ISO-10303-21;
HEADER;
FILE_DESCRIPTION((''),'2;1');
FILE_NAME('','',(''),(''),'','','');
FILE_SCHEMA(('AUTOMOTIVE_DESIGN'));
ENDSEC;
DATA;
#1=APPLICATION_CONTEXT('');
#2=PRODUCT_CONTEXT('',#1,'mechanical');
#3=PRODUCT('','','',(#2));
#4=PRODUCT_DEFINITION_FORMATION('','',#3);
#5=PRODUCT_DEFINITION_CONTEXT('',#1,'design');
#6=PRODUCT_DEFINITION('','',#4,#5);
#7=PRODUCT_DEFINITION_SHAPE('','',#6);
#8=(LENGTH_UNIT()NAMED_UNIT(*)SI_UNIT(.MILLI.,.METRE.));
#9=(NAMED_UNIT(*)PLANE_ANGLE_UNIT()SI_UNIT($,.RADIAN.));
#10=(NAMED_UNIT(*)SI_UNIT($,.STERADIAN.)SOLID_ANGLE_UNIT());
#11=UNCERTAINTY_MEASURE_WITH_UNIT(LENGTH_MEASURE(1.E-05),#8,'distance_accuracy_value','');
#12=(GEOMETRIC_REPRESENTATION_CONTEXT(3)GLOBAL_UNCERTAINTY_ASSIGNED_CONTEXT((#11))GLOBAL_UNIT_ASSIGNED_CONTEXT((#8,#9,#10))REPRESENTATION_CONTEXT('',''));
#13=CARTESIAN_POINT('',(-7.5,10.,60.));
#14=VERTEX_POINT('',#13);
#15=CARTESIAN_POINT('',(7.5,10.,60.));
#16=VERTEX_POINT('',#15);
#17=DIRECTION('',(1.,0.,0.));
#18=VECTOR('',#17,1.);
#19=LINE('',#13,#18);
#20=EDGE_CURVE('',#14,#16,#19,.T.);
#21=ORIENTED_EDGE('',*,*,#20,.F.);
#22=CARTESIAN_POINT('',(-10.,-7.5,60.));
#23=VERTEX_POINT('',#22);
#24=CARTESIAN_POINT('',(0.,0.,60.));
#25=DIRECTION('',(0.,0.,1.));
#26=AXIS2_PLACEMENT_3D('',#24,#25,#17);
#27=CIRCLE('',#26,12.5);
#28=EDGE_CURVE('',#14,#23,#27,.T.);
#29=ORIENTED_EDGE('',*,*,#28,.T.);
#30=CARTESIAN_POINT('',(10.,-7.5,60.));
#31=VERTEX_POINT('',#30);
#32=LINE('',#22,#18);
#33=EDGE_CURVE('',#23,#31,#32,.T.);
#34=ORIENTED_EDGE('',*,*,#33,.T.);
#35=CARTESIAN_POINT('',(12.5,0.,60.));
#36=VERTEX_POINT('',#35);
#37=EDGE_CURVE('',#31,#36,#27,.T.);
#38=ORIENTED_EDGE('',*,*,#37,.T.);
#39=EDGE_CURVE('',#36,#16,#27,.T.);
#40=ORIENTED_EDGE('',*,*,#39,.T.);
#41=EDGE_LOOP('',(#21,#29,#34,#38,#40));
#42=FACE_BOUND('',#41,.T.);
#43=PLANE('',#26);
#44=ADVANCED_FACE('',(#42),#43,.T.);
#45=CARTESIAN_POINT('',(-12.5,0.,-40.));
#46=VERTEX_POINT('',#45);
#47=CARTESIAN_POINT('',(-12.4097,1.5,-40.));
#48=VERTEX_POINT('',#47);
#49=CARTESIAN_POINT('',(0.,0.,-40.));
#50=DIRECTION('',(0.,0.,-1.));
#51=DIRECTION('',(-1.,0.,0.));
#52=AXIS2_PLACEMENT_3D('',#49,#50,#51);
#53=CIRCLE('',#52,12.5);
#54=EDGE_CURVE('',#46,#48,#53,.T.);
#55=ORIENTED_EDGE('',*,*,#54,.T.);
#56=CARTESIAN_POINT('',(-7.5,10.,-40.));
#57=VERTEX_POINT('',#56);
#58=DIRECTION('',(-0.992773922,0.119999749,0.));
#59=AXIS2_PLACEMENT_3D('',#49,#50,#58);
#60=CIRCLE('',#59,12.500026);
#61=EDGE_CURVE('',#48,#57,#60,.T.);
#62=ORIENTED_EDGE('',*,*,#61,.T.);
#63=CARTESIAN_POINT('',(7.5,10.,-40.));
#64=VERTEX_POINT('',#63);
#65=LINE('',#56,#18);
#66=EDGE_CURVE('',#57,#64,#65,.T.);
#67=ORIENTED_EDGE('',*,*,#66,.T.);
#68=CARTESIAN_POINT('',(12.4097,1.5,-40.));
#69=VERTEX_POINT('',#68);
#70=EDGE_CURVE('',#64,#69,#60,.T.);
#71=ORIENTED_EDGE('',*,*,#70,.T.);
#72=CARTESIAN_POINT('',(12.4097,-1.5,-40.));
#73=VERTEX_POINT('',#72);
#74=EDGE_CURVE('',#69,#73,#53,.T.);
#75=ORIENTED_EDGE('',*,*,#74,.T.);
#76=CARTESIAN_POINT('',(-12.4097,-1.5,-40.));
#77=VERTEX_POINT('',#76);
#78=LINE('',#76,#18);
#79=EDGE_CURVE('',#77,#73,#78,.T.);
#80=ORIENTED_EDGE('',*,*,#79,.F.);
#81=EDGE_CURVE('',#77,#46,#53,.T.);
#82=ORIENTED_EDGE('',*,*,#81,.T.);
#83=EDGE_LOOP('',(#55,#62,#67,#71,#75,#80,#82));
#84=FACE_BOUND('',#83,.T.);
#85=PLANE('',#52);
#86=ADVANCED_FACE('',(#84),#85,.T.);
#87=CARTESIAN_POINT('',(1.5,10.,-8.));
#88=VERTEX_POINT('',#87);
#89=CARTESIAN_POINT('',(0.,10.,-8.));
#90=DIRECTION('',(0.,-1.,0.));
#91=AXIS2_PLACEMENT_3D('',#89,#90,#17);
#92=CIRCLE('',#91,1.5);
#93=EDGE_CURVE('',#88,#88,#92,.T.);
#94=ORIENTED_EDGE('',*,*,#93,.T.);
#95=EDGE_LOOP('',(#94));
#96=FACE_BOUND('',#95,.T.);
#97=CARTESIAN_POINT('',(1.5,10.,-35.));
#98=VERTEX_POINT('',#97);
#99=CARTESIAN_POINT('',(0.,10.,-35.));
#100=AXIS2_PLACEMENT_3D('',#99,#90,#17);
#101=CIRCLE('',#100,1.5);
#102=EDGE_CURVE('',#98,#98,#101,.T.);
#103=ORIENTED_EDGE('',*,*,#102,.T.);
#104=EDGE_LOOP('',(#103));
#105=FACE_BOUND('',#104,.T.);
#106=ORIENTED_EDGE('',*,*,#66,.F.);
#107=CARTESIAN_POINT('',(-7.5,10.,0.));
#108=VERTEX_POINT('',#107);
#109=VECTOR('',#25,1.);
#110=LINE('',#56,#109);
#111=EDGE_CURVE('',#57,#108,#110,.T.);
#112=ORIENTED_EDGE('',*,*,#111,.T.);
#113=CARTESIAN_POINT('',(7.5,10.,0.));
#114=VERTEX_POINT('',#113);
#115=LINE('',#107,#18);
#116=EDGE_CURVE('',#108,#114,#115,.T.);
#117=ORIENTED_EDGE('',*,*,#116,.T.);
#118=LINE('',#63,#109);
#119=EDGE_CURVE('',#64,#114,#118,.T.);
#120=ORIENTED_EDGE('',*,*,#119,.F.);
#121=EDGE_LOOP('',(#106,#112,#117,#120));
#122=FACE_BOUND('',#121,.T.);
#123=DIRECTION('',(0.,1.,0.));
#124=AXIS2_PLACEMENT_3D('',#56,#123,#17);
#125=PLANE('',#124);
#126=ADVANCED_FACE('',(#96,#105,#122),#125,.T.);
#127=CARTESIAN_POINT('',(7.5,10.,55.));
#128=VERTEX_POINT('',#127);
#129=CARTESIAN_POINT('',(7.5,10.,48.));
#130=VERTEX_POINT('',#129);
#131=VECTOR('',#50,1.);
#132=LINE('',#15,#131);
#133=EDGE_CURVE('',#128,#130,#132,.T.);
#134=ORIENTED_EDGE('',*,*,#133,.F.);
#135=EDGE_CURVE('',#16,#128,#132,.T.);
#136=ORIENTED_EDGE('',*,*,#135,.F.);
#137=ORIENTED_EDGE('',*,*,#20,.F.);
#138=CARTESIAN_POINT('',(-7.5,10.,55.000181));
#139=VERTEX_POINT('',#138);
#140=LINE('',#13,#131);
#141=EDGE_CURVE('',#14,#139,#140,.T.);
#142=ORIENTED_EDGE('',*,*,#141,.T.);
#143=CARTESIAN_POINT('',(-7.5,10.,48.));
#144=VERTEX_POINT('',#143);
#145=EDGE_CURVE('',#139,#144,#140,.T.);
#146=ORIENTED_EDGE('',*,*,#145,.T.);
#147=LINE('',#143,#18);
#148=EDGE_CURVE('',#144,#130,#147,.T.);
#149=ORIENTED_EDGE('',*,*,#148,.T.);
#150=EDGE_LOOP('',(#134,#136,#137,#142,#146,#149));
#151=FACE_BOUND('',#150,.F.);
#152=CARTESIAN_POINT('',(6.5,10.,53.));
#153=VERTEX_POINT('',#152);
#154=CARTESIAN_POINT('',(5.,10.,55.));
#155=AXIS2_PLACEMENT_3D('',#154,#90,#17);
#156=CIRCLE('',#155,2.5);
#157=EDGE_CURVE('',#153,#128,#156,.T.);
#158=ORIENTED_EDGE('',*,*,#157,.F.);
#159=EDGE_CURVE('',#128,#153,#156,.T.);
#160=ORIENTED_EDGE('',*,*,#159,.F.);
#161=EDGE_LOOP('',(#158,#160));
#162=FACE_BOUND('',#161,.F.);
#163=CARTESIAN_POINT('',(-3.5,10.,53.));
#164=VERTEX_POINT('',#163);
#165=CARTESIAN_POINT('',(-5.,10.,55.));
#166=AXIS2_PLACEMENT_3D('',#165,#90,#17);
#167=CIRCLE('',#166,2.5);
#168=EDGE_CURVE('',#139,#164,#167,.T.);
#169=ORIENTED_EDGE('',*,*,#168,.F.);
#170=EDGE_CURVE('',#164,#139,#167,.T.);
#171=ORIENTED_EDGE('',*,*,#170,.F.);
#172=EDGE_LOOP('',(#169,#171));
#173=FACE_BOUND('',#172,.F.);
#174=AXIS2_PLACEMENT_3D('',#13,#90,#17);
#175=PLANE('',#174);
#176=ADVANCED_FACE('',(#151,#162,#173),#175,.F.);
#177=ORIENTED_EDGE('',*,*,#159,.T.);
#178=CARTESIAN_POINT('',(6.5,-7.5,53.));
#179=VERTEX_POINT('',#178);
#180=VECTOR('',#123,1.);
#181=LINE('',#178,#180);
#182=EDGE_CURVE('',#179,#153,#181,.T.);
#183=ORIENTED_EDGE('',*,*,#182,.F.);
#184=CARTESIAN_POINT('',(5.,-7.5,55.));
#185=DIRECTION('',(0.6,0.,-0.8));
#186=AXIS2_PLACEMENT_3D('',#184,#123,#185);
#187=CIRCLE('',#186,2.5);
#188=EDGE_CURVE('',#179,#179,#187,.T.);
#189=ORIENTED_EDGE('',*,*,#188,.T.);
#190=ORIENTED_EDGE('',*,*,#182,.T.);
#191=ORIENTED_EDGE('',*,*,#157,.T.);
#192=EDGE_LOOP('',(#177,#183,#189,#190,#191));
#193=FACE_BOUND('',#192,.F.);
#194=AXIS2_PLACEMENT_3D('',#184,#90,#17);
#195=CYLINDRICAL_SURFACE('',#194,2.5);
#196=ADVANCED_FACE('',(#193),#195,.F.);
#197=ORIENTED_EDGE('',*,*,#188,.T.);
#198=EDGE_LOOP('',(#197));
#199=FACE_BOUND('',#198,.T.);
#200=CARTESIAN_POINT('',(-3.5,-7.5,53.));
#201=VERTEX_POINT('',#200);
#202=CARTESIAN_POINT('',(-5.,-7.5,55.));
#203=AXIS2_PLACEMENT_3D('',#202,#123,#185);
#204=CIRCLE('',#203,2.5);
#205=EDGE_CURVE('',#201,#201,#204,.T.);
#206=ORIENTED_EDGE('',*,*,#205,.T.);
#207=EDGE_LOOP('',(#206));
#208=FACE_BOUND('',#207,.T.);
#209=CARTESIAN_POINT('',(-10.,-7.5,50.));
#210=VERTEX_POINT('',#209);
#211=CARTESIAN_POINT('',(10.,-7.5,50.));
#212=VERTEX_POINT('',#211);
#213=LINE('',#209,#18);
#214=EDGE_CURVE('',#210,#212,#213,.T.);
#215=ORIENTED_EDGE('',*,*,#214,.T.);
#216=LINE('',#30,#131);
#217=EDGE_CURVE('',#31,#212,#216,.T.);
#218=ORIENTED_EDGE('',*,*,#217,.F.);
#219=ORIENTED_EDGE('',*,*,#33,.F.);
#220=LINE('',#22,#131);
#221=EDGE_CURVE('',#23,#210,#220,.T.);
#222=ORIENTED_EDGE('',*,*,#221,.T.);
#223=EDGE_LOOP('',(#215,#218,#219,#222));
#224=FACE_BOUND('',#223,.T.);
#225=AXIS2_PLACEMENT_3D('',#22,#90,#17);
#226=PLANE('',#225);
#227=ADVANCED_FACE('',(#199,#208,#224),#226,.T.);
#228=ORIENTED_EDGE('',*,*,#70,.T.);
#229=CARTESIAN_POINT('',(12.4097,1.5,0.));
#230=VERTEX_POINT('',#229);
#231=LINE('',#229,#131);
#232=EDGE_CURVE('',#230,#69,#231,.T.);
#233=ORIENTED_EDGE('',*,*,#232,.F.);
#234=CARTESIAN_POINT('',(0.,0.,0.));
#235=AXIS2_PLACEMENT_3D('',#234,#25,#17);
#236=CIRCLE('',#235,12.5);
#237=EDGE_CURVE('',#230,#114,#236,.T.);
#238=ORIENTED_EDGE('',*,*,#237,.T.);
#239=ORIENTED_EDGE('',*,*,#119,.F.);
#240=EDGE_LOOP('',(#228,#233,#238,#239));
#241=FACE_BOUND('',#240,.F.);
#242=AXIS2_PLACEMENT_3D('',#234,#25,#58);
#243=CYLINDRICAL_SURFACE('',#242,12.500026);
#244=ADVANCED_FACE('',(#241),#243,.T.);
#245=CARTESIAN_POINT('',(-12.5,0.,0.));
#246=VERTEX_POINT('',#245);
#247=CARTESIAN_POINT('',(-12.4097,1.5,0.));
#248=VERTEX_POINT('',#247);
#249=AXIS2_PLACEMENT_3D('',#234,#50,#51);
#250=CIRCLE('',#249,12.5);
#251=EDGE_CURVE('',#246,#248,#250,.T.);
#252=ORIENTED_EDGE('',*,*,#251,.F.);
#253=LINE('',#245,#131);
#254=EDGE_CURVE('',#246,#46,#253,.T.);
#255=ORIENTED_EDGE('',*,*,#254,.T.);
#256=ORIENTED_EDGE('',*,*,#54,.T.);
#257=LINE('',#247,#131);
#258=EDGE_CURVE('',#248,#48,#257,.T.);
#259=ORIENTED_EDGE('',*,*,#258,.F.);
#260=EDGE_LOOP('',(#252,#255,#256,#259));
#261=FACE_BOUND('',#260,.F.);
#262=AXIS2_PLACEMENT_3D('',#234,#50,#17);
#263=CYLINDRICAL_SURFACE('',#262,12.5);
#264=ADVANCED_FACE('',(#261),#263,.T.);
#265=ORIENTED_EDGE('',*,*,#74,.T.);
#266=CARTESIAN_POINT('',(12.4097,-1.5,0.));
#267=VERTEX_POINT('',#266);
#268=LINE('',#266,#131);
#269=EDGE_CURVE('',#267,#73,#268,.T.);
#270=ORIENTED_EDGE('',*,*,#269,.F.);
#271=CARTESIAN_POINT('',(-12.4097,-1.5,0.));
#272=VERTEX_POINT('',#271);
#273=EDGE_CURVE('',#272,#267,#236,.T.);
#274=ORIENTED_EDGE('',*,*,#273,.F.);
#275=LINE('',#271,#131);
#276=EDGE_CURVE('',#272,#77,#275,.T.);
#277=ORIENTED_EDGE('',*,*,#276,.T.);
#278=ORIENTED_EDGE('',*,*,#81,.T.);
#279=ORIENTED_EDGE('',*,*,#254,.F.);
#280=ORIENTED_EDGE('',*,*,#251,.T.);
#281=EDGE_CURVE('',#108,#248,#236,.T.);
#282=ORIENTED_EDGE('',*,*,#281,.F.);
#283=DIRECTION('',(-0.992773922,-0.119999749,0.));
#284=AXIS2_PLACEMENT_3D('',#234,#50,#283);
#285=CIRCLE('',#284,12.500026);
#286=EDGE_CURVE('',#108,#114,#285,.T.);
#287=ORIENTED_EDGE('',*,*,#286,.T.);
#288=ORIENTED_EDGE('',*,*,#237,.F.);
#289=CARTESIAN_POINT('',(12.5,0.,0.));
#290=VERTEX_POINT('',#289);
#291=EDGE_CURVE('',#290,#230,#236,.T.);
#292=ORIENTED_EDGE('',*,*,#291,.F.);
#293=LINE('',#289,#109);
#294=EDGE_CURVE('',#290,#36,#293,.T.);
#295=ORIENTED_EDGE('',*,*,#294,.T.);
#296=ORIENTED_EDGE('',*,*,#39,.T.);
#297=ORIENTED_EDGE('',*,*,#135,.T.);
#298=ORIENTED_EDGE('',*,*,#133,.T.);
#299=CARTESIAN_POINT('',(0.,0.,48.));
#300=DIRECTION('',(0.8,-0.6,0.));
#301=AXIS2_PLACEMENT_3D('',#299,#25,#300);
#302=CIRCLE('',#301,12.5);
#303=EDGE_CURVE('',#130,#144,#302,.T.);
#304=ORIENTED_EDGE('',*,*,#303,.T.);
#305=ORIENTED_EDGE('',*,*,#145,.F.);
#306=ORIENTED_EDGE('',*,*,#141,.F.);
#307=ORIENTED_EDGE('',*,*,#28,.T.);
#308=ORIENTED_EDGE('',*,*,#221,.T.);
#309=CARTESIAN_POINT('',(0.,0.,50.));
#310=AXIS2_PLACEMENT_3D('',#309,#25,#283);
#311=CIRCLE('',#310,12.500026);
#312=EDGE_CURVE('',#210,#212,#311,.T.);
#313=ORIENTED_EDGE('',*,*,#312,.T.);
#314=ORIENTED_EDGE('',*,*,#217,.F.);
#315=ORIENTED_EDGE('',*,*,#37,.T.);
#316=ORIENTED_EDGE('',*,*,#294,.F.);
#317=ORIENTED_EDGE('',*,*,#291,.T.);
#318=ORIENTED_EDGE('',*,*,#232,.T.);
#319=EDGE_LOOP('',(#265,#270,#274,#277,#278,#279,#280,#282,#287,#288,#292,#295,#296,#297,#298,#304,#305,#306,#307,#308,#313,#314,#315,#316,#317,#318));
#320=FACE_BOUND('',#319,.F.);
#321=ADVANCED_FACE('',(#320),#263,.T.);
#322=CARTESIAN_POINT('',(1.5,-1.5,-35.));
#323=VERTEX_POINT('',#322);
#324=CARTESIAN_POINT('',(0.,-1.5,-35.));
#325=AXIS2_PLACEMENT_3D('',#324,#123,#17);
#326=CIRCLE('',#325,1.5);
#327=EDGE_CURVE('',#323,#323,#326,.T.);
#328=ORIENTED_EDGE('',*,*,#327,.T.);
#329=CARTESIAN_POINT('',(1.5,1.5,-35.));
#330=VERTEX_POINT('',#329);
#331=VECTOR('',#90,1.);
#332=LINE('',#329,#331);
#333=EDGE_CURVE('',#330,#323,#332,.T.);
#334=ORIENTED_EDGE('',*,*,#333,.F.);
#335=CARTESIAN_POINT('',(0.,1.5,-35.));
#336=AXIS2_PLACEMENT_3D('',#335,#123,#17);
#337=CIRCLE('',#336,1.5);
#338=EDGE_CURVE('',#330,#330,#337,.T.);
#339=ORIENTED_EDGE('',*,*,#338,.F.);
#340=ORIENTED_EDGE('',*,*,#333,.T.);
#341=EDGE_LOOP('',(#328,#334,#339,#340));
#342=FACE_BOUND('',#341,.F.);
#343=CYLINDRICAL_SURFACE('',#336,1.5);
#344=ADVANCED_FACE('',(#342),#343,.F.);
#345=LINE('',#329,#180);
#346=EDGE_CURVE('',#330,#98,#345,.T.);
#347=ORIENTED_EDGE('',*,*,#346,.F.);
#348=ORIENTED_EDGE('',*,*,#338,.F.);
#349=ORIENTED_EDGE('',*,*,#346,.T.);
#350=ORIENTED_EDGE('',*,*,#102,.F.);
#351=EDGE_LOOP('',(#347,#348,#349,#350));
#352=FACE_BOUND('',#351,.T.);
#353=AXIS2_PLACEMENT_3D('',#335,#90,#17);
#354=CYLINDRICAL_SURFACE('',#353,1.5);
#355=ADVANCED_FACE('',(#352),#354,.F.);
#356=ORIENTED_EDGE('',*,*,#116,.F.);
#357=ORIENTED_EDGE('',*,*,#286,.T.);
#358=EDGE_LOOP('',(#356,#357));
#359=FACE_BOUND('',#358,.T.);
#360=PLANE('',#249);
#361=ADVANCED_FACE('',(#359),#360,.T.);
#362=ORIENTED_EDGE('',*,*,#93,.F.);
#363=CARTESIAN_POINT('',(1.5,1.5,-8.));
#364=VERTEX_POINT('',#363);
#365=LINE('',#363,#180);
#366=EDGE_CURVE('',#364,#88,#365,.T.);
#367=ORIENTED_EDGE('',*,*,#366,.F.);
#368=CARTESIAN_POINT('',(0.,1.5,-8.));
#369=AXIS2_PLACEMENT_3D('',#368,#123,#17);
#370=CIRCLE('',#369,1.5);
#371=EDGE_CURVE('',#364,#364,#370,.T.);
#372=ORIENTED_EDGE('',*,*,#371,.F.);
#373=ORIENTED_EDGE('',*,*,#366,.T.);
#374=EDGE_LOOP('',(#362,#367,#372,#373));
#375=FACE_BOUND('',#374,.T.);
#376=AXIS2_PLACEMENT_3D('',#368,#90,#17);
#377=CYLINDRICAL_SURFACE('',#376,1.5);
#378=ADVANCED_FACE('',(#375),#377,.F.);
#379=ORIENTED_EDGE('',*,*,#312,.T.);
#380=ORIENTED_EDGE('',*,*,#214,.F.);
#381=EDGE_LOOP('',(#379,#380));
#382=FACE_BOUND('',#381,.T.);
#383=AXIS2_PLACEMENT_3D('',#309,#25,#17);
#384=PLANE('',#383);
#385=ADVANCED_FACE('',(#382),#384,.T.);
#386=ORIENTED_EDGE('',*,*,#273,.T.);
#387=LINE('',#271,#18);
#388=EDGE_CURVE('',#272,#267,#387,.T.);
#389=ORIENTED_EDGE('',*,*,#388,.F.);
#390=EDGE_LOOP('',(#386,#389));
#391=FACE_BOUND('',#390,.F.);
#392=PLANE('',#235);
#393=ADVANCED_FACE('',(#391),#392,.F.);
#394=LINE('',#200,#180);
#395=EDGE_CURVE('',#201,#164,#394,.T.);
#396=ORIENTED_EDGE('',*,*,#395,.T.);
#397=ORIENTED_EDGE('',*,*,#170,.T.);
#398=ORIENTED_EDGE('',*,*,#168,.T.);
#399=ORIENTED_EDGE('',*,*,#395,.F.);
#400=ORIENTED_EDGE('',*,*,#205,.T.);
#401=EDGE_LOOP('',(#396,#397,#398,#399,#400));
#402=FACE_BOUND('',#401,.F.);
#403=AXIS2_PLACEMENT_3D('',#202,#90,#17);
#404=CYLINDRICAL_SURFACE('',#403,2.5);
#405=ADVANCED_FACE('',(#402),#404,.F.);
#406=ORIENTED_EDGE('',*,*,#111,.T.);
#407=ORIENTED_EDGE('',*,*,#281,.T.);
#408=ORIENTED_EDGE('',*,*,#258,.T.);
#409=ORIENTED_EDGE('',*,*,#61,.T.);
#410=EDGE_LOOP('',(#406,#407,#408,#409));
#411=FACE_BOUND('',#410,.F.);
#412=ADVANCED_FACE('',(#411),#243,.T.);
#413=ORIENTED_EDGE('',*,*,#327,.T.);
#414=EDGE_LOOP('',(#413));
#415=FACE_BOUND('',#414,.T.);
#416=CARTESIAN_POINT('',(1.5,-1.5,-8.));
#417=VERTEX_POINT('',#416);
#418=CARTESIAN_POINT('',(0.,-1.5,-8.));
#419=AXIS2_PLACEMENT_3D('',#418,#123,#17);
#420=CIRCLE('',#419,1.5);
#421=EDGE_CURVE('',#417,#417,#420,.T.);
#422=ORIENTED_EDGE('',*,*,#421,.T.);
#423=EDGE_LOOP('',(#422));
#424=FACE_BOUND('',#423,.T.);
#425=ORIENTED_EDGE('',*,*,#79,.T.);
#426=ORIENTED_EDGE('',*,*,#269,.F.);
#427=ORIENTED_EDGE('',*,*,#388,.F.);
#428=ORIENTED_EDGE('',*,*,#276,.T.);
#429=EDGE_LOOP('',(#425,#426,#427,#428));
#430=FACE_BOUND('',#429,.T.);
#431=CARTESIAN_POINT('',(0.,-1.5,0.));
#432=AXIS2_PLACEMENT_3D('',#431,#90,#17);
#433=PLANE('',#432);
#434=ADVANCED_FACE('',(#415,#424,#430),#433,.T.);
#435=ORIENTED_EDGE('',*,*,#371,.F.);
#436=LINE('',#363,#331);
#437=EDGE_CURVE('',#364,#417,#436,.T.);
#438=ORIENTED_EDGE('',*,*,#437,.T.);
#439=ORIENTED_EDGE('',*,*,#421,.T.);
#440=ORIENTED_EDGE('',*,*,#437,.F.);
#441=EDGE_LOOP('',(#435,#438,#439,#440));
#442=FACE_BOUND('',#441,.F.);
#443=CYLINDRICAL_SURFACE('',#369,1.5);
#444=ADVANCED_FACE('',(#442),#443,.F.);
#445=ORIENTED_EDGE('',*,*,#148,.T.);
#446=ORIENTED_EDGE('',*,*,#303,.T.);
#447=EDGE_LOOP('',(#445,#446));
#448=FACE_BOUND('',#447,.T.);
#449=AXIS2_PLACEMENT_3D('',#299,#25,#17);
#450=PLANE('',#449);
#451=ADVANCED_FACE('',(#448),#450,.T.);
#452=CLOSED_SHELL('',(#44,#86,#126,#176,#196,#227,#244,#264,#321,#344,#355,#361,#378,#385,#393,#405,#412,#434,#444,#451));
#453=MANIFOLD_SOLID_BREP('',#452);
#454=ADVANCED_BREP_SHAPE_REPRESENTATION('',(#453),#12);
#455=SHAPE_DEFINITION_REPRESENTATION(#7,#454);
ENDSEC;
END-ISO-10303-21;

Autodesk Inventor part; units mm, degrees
ref_plane "YZ Plane" through (0, 0, 0) normal (1, 0, 0) x (0, 1, 0)
ref_plane "XZ Plane" through (0, 0, 0) normal (0, 1, 0) x (-1, 0, 0)
ref_plane "XY Plane" through (0, 0, 0) normal (0, 0, 1) x (1, 0, 0)
sketch "Sketch1" plane through (0, 0, 0) normal (0, 0, 1) x (1, 0, 0)
  circle A0 centre (0, 0) radius 12.5
  dimension "d0" = 25
extrude "Extrusion1" add sketch "Sketch1" along normal blind 60
sketch "Sketch14" plane through (0, 0, 0) normal (0, 0, -1) x (-1, 0, 0)
  line L0 (0, 0) -> (0, 1.5)
  circle A0 centre (0, 0) radius 12.5 projected
  line L1 (0, 1.5) -> (-12.4097, 1.5)
  line L2 (0, 0) -> (-1.8933, 0)
  line L3 (0, 1.5) -> (12.4097, 1.5)
  line L4 (0, -1.5) -> (-12.4097, -1.5)
  line L5 (0, -1.5) -> (12.4097, -1.5)
  dimension "d71" = 1.5
extrude "Extrusion10" add sketch "Sketch14" along normal blind 40 contours A0 L5 L4 L1 L3
sketch "Sketch16" plane through (0, 0, 60) normal (0, 0, 1) x (1, 0, 0)
  arc A0 (-12.4097, -1.5) -> (12.4097, -1.5) centre (0, 0) ccw projected
  line L0 (-10, -7.5) -> (10, -7.5)
  line L1 (12.4097, -1.5) -> (-12.4097, -1.5) projected
  dimension "d83" = 20
extrude "Extrusion12" cut sketch "Sketch16" against normal blind 10 contours L0 A0
sketch "Sketch17" plane through (0, 0, 0) normal (0, 0, -1) x (-1, 0, 0)
  line L0 (-12.4097, 1.5) -> (12.4097, 1.5) projected
  arc A0 (12.4097, 1.5) -> (-12.4097, 1.5) centre (0, 0) ccw projected
extrude "Extrusion13" add sketch "Sketch17" along normal up to surface (40 mm away)
sketch "Sketch15" plane through (-12.4097, 1.5, 0) normal (0, 1, 0) x (1, 0, 0)
  line L0 (0, 0) -> (0, 40) projected
  line L1 (0, 40) -> (24.8193, 40) projected
  circle A0 centre (12.4097, 35) radius 1.5
  circle A1 centre (12.4097, 8) radius 1.5
  point P0 (12.4097, 0)
  dimension "d79" = 3
  dimension "d80" = 5
  dimension "d81" = 3
  dimension "d82" = 27
extrude "Extrusion11" cut sketch "Sketch15" along normal mid plane 22
sketch "Sketch18" plane through (-10, -7.5, 60) normal (0, -1, 0) x (1, 0, 0)
  arc A0 (6.5, -7) -> (3.5, -7) centre (5, -5) ccw projected
  arc A1 (16.5, -7) -> (13.5, -7) centre (15, -5) ccw projected
  circle A2 centre (5, -5) radius 2.5
  circle A3 centre (15, -5) radius 2.5
  point P0 (10, -60)
  point P1 (13.5, -7)
  point P2 (16.5, -7)
  point P3 (3.5, -7)
  point P4 (6.5, -7)
extrude "Extrusion14" cut sketch "Sketch18" against normal blind 22
sketch "Sketch19" plane through (0, 0, -40) normal (0, 0, -1) x (-1, 0, 0)
  arc A0 (12.4097, -1.5) -> (-12.4097, -1.5) centre (0, 0) ccw projected
  line L0 (7.5, 10) -> (-7.5, 10)
  dimension "d90" = 15
extrude "Extrusion15" cut sketch "Sketch19" against normal blind 40
sketch "Sketch20" plane through (0, 0, 60) normal (0, 0, 1) x (1, 0, 0)
  arc A0 (10, -7.5) -> (-10, -7.5) centre (0, 0) ccw projected
  line L0 (-7.5, 10) -> (7.5, 10)
  dimension "d93" = 15
extrude "Extrusion16" cut sketch "Sketch20" against normal blind 12
properties part number "link2"
